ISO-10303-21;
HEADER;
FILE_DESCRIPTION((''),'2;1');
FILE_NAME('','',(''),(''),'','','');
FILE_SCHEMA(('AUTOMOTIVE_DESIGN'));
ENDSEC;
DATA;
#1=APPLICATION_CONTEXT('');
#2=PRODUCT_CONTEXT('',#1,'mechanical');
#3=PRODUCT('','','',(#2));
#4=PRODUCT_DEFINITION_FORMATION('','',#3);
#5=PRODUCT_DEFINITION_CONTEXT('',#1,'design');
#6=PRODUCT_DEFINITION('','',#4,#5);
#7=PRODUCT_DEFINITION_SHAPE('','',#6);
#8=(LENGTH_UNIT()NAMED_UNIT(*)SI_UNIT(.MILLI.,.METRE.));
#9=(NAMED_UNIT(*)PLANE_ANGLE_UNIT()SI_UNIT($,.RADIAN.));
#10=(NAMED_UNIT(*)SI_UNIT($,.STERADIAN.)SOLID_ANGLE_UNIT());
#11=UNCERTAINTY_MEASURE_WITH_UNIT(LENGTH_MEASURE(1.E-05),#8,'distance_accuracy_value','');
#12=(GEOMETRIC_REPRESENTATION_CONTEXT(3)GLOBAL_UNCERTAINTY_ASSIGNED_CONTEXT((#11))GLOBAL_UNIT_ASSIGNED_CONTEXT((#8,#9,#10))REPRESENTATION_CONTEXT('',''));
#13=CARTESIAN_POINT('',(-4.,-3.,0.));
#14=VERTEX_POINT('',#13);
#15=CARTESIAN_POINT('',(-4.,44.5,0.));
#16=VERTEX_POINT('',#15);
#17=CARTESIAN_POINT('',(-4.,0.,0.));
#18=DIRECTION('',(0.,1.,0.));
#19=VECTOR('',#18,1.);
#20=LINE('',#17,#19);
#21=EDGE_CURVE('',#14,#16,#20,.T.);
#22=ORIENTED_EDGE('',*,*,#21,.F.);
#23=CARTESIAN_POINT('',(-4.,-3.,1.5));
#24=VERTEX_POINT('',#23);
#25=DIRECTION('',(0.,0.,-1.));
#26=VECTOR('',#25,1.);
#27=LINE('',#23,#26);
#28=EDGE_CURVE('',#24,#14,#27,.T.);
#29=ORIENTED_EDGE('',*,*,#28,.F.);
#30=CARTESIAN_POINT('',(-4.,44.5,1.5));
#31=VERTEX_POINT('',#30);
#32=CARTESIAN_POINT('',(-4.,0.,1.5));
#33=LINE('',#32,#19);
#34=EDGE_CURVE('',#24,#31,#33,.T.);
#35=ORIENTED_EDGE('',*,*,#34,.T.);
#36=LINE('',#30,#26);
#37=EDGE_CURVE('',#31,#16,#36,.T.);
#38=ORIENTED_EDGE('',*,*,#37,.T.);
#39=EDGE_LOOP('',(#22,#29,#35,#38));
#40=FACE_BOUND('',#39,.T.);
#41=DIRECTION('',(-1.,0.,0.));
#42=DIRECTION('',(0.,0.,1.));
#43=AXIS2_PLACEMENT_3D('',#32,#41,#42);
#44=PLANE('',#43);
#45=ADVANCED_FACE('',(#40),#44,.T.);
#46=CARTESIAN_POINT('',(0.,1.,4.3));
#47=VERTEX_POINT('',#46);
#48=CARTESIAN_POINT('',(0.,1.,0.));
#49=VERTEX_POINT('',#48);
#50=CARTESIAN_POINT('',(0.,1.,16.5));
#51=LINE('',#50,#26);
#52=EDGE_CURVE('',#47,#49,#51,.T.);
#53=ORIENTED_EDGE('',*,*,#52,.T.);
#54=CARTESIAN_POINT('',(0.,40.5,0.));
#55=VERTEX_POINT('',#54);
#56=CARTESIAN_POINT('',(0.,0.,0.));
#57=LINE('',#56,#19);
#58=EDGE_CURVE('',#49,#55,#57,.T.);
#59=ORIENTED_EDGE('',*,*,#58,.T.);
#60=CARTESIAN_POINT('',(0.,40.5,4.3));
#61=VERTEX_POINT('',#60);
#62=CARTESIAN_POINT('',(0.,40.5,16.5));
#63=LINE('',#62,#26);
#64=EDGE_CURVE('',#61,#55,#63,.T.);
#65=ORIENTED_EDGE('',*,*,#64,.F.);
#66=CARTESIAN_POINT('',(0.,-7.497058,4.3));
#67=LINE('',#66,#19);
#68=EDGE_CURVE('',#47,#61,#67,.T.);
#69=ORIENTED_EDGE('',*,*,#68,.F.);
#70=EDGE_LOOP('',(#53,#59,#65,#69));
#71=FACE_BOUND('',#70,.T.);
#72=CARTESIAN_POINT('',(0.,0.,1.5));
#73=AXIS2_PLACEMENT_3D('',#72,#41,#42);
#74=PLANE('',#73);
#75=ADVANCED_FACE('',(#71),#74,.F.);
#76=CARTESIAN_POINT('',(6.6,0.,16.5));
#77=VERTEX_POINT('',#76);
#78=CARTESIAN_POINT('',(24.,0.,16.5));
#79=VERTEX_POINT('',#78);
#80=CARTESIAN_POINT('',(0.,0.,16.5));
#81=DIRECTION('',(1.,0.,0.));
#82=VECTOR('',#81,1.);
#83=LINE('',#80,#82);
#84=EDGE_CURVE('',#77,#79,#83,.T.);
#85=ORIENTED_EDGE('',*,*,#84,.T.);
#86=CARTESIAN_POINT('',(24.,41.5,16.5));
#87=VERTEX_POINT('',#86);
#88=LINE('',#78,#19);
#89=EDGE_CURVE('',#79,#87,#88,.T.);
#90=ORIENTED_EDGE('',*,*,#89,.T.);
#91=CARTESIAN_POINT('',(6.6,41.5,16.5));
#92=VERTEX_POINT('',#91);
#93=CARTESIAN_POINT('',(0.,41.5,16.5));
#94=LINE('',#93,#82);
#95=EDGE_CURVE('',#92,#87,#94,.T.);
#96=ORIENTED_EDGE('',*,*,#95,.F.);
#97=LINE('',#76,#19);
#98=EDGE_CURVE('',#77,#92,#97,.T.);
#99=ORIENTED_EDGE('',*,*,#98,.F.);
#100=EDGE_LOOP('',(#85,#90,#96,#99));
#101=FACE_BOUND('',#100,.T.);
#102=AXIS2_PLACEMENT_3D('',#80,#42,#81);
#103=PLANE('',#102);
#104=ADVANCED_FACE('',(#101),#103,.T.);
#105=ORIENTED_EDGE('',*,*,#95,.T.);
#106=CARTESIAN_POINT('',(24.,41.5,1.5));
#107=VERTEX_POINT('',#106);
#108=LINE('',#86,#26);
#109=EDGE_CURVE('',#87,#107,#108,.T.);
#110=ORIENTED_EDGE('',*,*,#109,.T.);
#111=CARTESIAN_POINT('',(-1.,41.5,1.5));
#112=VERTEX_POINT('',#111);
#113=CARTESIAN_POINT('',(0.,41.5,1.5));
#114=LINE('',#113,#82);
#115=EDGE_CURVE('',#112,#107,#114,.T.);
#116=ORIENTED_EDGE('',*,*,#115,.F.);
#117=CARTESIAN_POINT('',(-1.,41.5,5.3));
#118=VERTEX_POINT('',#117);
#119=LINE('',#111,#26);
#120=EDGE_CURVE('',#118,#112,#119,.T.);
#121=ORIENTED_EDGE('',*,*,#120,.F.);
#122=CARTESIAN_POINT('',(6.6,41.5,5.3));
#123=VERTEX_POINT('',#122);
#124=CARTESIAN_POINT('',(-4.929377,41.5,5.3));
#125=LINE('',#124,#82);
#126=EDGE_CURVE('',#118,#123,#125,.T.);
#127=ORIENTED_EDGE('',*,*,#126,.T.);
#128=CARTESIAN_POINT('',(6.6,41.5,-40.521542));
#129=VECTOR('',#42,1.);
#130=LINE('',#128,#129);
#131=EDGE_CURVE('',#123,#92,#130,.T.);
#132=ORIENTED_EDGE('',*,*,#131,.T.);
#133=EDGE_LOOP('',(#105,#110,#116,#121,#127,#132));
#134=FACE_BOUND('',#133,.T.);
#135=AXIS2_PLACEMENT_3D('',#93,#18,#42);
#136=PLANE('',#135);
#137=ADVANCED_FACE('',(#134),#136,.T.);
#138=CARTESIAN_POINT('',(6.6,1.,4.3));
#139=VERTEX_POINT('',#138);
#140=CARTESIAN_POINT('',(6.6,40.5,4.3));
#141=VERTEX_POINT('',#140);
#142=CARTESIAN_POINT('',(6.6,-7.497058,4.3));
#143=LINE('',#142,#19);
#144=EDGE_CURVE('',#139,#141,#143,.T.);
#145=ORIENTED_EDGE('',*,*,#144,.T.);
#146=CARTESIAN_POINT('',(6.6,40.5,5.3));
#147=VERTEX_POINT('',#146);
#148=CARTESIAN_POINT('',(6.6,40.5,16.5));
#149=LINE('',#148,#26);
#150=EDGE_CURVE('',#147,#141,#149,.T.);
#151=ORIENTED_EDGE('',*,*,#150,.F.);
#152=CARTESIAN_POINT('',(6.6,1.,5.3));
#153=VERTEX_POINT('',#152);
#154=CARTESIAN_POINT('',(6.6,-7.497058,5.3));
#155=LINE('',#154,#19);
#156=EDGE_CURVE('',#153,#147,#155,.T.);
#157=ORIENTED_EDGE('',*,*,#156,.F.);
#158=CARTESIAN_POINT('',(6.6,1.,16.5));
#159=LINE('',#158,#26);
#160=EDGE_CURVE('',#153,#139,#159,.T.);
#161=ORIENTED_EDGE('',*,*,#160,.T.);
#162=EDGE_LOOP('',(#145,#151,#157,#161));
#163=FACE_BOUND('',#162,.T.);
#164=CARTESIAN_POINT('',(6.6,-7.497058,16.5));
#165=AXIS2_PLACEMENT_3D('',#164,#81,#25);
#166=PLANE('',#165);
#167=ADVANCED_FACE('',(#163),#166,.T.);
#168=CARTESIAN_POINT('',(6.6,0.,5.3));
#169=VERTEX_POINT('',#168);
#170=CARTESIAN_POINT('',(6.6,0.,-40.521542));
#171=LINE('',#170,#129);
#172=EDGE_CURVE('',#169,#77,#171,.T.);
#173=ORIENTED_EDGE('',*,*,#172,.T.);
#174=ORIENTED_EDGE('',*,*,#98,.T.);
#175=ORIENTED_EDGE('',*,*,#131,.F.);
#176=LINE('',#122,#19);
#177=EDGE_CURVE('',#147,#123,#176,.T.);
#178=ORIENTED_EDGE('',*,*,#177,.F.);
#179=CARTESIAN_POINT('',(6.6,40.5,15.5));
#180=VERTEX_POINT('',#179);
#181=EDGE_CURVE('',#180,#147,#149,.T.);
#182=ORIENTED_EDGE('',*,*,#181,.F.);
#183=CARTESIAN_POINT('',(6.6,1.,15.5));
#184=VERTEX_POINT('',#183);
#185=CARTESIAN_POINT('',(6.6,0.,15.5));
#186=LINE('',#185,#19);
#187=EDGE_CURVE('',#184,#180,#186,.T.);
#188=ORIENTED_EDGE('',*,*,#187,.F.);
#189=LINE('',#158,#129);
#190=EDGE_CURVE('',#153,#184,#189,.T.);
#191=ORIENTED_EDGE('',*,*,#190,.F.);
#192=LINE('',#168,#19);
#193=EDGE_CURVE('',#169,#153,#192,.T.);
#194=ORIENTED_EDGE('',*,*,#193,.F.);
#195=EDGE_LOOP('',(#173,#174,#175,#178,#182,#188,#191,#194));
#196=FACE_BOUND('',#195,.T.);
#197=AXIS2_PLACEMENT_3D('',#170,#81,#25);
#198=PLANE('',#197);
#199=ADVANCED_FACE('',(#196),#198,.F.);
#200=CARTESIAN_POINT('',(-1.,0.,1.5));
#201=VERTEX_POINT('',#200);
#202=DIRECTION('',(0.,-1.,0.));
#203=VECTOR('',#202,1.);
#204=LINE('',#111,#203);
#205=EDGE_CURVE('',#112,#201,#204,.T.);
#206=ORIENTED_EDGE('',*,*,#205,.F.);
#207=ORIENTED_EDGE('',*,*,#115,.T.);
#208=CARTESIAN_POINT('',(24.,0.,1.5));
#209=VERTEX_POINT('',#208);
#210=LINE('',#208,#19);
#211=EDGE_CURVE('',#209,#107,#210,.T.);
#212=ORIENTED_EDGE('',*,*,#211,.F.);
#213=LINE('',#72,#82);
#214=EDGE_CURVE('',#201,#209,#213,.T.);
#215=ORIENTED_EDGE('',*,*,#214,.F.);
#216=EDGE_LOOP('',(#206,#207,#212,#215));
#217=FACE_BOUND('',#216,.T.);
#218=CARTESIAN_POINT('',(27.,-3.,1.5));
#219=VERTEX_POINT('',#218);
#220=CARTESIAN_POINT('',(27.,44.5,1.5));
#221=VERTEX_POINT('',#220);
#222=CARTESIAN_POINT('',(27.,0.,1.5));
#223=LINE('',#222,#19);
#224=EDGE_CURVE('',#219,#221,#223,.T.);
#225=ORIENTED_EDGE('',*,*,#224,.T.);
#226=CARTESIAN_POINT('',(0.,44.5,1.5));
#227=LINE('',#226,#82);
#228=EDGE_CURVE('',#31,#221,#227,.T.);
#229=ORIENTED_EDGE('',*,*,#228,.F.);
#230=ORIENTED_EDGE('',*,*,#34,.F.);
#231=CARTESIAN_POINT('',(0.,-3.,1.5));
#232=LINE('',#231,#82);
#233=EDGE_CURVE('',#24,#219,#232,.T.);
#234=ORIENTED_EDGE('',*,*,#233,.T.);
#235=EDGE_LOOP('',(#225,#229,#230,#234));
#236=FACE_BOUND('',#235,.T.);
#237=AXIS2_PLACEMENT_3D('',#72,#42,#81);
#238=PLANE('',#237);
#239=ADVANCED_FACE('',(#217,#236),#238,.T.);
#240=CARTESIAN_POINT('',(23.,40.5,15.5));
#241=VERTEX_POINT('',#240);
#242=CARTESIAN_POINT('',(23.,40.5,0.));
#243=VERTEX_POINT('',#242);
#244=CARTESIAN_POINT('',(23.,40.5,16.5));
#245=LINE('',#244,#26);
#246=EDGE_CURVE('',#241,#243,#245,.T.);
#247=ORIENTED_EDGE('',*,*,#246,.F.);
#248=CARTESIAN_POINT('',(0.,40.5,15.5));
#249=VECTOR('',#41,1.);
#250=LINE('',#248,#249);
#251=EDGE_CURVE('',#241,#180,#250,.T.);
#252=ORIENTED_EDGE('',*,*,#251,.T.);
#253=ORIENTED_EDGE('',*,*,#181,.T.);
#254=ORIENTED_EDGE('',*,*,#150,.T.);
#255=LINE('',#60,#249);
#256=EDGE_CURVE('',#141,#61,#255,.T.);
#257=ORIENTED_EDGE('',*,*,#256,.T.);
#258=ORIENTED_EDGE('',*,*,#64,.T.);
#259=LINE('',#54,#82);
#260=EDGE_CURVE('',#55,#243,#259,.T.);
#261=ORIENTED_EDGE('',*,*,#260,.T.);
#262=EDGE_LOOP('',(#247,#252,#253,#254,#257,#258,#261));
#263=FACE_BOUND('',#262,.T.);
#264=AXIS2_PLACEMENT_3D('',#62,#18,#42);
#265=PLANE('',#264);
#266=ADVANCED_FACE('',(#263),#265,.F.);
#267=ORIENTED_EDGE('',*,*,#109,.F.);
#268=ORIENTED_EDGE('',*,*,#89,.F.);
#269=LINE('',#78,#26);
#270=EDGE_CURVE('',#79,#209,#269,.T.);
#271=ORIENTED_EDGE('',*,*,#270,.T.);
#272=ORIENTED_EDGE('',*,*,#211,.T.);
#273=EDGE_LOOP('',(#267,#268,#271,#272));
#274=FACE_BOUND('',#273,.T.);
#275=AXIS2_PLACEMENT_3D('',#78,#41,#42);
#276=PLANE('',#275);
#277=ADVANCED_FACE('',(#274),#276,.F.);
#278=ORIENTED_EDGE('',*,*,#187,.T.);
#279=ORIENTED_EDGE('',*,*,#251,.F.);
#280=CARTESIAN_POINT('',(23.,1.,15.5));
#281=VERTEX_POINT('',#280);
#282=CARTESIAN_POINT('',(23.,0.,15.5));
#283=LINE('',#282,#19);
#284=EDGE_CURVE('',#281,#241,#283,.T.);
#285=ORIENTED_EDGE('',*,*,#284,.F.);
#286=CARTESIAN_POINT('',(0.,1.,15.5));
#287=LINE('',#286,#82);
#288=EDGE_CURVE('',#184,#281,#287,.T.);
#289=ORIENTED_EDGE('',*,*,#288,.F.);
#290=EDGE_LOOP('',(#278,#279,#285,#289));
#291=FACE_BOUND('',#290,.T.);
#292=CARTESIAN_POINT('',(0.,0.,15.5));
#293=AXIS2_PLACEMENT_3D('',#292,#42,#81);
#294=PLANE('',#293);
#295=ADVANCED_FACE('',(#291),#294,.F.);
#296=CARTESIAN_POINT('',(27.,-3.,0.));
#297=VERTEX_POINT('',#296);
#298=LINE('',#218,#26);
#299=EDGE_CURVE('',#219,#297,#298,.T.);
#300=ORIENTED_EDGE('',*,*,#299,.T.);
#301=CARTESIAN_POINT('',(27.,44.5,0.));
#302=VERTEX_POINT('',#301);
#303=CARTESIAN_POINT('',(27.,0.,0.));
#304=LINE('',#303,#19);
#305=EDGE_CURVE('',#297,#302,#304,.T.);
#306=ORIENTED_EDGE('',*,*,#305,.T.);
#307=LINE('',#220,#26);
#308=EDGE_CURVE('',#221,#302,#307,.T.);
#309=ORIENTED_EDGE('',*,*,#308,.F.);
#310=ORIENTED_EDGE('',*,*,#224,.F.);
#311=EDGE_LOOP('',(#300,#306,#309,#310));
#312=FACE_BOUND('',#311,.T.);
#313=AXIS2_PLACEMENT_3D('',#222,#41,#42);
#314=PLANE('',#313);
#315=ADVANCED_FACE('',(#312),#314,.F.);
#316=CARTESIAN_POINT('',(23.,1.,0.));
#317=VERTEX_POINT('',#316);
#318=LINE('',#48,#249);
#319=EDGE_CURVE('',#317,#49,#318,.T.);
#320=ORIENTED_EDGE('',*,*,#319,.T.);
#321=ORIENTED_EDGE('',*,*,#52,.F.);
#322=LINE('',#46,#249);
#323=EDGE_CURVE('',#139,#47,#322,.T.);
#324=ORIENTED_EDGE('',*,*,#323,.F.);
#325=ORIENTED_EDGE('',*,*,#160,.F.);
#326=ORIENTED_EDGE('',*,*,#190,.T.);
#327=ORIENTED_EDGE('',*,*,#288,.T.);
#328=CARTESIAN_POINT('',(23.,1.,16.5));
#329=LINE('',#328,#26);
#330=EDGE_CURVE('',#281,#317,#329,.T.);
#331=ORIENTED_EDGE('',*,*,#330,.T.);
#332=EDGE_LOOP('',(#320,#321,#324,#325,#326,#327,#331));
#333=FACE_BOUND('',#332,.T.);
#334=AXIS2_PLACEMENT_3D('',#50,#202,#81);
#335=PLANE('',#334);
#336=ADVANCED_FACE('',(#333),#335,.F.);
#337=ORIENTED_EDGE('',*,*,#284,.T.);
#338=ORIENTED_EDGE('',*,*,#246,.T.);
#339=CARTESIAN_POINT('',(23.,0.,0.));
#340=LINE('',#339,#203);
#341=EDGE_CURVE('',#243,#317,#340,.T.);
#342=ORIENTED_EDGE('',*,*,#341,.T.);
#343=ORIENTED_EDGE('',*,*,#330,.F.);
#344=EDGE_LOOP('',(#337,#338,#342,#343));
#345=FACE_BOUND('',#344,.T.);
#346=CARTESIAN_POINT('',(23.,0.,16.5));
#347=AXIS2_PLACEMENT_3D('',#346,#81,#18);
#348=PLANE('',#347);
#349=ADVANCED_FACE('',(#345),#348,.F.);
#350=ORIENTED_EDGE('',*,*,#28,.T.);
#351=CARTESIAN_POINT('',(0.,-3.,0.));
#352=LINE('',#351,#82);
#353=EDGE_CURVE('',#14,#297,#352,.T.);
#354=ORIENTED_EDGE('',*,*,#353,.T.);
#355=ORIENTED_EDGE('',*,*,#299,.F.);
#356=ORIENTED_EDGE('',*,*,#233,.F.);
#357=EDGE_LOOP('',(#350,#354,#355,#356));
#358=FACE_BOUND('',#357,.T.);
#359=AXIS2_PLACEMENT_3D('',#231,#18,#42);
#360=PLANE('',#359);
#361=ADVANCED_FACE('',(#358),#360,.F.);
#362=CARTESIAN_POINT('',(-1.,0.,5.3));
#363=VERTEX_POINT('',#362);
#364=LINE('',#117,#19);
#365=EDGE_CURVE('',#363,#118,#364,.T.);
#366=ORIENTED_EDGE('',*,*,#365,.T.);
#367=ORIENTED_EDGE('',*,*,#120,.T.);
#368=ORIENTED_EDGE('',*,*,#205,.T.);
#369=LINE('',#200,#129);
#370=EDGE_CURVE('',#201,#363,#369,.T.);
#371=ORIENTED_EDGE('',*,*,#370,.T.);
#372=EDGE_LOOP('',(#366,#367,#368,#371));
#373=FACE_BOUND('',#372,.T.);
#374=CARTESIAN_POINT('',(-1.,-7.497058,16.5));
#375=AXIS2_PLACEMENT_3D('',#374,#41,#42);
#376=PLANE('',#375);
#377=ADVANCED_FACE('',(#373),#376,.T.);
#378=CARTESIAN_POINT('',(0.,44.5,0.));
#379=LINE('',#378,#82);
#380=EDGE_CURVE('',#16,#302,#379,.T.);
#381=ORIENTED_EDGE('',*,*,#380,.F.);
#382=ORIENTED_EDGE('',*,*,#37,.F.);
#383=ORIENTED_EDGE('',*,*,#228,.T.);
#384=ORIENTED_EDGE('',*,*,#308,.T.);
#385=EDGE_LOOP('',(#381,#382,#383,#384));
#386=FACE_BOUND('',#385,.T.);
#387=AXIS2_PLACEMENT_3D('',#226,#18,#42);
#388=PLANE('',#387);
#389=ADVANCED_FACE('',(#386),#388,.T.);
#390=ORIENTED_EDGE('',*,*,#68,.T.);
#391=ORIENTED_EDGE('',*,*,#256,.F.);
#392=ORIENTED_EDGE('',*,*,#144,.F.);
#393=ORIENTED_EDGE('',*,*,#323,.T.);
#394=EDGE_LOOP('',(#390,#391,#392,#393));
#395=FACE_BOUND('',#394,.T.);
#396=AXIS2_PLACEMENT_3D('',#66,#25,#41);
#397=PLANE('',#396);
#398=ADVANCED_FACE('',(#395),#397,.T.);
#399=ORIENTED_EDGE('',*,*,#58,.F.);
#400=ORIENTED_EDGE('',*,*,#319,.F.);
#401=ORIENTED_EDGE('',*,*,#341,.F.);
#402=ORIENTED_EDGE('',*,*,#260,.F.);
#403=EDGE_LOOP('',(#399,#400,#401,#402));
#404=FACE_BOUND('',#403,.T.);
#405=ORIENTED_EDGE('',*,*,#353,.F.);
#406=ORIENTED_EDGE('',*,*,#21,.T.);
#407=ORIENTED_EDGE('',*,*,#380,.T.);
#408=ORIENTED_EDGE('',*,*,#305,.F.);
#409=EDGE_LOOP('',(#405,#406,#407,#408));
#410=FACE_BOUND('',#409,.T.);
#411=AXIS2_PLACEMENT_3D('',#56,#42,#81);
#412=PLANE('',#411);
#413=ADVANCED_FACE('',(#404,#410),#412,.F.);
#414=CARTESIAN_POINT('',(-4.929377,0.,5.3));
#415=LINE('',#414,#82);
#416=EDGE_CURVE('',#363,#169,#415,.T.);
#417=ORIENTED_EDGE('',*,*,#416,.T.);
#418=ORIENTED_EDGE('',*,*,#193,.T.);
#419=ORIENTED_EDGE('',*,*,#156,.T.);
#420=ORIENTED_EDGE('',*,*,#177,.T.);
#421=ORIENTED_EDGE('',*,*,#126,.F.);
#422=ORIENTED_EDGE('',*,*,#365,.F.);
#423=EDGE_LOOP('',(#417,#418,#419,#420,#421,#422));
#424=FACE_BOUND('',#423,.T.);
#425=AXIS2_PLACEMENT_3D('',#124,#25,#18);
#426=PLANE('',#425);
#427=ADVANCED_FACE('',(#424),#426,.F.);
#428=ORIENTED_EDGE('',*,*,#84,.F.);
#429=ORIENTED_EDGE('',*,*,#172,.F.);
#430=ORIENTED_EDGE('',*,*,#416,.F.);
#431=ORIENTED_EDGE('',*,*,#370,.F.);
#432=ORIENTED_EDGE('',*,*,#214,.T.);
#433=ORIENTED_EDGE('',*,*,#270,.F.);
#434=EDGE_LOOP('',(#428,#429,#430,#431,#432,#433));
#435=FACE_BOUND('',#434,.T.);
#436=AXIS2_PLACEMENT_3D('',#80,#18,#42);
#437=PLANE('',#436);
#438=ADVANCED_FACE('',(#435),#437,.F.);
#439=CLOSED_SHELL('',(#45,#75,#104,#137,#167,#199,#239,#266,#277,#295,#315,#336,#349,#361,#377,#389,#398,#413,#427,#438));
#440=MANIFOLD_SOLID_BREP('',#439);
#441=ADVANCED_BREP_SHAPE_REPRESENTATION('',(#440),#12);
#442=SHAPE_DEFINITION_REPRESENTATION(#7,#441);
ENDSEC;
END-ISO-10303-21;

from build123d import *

# Parameters (mm, degrees)
ESBO_O1_W                = 31
ESBO_O1_H                = 47.5
ESBO_O1_W_2              = 24
ESBO_O1_H_2              = 41.5
RESSALTO_EXTRUS_O1_DEPTH = 1.5
RESSALTO_EXTRUS_O2_DEPTH = 16.5
RESSALTO_EXTRUS_O3_START = 16.5
ESBO_O1_5_W              = 23
ESBO_O1_5_H              = 39.5
RESSALTO_EXTRUS_O3_DEPTH = 1
ESBO_O2_W                = 6.6
ESBO_O2_H                = 41.5
CORTE_EXTRUS_O1_DEPTH    = 15
RESSALTO_EXTRUS_O6_START = -1
RESSALTO_EXTRUS_O6_DEPTH = 39.5
ESBO_O4_W                = 3.8
ESBO_O4_H                = 1
RESSALTO_EXTRUS_O9_DEPTH = 7.6


with BuildPart() as part:
    # Esboço1 → Ressalto-extrusão1 (new body)
    with BuildSketch(Plane.XY):
        with Locations((11.5, 20.75)):
            Rectangle(ESBO_O1_W, ESBO_O1_H)
        with Locations((12, 20.75)):
            Rectangle(ESBO_O1_W_2, ESBO_O1_H_2, mode=Mode.SUBTRACT)
    extrude(amount=RESSALTO_EXTRUS_O1_DEPTH)

    # Esboço1<4> → Ressalto-extrusão2 (add)
    with BuildSketch(Plane.XY):
        Polygon((0, 41.5), (0, 40.5), (23, 40.5), (23, 1), (0, 1), (0, 0), (24, 0), (24, 41.5), align=None)
    extrude(amount=RESSALTO_EXTRUS_O2_DEPTH)

    # Esboço1<5> → Ressalto-extrusão3 (add)
    with BuildSketch(Plane.XY.offset(RESSALTO_EXTRUS_O3_START)):
        with Locations((11.5, 20.75)):
            Rectangle(ESBO_O1_5_W, ESBO_O1_5_H)
    extrude(amount=-RESSALTO_EXTRUS_O3_DEPTH)

    # Esboço2 → Corte-extrusão1 (cut)
    with BuildSketch(Plane.XY.offset(16.5)):
        with Locations((3.3, 20.75)):
            Rectangle(ESBO_O2_W, ESBO_O2_H)
    extrude(amount=-CORTE_EXTRUS_O1_DEPTH, mode=Mode.SUBTRACT)



with BuildPart() as body_2:
    # Esboço3 → Ressalto-extrusão6 (new body)
    with BuildSketch(Plane(origin=(0, 41.5, 0), x_dir=(1, 0, 0), z_dir=(0, 1, 0)).offset(RESSALTO_EXTRUS_O6_START)):
        Polygon((-1, -1.5), (-1, -5.3), (6.6, -5.3), (6.6, -4.3), (0, -4.3), (0, -1.5), align=None)
    extrude(amount=-RESSALTO_EXTRUS_O6_DEPTH)


with BuildPart() as part_1:
    add(part.part)

    add(body_2.part)  # Ressalto-extrusão9 merges body 2
    # Esboço4 → Ressalto-extrusão9 (add)
    with BuildSketch(Plane.ZY.offset(-6.6)):
        with Locations((3.4, 41)):
            Rectangle(ESBO_O4_W, ESBO_O4_H)
        with Locations((3.4, 0.5)):
            Rectangle(ESBO_O4_W, ESBO_O4_H)
    extrude(amount=RESSALTO_EXTRUS_O9_DEPTH)


solid = part_1.part
